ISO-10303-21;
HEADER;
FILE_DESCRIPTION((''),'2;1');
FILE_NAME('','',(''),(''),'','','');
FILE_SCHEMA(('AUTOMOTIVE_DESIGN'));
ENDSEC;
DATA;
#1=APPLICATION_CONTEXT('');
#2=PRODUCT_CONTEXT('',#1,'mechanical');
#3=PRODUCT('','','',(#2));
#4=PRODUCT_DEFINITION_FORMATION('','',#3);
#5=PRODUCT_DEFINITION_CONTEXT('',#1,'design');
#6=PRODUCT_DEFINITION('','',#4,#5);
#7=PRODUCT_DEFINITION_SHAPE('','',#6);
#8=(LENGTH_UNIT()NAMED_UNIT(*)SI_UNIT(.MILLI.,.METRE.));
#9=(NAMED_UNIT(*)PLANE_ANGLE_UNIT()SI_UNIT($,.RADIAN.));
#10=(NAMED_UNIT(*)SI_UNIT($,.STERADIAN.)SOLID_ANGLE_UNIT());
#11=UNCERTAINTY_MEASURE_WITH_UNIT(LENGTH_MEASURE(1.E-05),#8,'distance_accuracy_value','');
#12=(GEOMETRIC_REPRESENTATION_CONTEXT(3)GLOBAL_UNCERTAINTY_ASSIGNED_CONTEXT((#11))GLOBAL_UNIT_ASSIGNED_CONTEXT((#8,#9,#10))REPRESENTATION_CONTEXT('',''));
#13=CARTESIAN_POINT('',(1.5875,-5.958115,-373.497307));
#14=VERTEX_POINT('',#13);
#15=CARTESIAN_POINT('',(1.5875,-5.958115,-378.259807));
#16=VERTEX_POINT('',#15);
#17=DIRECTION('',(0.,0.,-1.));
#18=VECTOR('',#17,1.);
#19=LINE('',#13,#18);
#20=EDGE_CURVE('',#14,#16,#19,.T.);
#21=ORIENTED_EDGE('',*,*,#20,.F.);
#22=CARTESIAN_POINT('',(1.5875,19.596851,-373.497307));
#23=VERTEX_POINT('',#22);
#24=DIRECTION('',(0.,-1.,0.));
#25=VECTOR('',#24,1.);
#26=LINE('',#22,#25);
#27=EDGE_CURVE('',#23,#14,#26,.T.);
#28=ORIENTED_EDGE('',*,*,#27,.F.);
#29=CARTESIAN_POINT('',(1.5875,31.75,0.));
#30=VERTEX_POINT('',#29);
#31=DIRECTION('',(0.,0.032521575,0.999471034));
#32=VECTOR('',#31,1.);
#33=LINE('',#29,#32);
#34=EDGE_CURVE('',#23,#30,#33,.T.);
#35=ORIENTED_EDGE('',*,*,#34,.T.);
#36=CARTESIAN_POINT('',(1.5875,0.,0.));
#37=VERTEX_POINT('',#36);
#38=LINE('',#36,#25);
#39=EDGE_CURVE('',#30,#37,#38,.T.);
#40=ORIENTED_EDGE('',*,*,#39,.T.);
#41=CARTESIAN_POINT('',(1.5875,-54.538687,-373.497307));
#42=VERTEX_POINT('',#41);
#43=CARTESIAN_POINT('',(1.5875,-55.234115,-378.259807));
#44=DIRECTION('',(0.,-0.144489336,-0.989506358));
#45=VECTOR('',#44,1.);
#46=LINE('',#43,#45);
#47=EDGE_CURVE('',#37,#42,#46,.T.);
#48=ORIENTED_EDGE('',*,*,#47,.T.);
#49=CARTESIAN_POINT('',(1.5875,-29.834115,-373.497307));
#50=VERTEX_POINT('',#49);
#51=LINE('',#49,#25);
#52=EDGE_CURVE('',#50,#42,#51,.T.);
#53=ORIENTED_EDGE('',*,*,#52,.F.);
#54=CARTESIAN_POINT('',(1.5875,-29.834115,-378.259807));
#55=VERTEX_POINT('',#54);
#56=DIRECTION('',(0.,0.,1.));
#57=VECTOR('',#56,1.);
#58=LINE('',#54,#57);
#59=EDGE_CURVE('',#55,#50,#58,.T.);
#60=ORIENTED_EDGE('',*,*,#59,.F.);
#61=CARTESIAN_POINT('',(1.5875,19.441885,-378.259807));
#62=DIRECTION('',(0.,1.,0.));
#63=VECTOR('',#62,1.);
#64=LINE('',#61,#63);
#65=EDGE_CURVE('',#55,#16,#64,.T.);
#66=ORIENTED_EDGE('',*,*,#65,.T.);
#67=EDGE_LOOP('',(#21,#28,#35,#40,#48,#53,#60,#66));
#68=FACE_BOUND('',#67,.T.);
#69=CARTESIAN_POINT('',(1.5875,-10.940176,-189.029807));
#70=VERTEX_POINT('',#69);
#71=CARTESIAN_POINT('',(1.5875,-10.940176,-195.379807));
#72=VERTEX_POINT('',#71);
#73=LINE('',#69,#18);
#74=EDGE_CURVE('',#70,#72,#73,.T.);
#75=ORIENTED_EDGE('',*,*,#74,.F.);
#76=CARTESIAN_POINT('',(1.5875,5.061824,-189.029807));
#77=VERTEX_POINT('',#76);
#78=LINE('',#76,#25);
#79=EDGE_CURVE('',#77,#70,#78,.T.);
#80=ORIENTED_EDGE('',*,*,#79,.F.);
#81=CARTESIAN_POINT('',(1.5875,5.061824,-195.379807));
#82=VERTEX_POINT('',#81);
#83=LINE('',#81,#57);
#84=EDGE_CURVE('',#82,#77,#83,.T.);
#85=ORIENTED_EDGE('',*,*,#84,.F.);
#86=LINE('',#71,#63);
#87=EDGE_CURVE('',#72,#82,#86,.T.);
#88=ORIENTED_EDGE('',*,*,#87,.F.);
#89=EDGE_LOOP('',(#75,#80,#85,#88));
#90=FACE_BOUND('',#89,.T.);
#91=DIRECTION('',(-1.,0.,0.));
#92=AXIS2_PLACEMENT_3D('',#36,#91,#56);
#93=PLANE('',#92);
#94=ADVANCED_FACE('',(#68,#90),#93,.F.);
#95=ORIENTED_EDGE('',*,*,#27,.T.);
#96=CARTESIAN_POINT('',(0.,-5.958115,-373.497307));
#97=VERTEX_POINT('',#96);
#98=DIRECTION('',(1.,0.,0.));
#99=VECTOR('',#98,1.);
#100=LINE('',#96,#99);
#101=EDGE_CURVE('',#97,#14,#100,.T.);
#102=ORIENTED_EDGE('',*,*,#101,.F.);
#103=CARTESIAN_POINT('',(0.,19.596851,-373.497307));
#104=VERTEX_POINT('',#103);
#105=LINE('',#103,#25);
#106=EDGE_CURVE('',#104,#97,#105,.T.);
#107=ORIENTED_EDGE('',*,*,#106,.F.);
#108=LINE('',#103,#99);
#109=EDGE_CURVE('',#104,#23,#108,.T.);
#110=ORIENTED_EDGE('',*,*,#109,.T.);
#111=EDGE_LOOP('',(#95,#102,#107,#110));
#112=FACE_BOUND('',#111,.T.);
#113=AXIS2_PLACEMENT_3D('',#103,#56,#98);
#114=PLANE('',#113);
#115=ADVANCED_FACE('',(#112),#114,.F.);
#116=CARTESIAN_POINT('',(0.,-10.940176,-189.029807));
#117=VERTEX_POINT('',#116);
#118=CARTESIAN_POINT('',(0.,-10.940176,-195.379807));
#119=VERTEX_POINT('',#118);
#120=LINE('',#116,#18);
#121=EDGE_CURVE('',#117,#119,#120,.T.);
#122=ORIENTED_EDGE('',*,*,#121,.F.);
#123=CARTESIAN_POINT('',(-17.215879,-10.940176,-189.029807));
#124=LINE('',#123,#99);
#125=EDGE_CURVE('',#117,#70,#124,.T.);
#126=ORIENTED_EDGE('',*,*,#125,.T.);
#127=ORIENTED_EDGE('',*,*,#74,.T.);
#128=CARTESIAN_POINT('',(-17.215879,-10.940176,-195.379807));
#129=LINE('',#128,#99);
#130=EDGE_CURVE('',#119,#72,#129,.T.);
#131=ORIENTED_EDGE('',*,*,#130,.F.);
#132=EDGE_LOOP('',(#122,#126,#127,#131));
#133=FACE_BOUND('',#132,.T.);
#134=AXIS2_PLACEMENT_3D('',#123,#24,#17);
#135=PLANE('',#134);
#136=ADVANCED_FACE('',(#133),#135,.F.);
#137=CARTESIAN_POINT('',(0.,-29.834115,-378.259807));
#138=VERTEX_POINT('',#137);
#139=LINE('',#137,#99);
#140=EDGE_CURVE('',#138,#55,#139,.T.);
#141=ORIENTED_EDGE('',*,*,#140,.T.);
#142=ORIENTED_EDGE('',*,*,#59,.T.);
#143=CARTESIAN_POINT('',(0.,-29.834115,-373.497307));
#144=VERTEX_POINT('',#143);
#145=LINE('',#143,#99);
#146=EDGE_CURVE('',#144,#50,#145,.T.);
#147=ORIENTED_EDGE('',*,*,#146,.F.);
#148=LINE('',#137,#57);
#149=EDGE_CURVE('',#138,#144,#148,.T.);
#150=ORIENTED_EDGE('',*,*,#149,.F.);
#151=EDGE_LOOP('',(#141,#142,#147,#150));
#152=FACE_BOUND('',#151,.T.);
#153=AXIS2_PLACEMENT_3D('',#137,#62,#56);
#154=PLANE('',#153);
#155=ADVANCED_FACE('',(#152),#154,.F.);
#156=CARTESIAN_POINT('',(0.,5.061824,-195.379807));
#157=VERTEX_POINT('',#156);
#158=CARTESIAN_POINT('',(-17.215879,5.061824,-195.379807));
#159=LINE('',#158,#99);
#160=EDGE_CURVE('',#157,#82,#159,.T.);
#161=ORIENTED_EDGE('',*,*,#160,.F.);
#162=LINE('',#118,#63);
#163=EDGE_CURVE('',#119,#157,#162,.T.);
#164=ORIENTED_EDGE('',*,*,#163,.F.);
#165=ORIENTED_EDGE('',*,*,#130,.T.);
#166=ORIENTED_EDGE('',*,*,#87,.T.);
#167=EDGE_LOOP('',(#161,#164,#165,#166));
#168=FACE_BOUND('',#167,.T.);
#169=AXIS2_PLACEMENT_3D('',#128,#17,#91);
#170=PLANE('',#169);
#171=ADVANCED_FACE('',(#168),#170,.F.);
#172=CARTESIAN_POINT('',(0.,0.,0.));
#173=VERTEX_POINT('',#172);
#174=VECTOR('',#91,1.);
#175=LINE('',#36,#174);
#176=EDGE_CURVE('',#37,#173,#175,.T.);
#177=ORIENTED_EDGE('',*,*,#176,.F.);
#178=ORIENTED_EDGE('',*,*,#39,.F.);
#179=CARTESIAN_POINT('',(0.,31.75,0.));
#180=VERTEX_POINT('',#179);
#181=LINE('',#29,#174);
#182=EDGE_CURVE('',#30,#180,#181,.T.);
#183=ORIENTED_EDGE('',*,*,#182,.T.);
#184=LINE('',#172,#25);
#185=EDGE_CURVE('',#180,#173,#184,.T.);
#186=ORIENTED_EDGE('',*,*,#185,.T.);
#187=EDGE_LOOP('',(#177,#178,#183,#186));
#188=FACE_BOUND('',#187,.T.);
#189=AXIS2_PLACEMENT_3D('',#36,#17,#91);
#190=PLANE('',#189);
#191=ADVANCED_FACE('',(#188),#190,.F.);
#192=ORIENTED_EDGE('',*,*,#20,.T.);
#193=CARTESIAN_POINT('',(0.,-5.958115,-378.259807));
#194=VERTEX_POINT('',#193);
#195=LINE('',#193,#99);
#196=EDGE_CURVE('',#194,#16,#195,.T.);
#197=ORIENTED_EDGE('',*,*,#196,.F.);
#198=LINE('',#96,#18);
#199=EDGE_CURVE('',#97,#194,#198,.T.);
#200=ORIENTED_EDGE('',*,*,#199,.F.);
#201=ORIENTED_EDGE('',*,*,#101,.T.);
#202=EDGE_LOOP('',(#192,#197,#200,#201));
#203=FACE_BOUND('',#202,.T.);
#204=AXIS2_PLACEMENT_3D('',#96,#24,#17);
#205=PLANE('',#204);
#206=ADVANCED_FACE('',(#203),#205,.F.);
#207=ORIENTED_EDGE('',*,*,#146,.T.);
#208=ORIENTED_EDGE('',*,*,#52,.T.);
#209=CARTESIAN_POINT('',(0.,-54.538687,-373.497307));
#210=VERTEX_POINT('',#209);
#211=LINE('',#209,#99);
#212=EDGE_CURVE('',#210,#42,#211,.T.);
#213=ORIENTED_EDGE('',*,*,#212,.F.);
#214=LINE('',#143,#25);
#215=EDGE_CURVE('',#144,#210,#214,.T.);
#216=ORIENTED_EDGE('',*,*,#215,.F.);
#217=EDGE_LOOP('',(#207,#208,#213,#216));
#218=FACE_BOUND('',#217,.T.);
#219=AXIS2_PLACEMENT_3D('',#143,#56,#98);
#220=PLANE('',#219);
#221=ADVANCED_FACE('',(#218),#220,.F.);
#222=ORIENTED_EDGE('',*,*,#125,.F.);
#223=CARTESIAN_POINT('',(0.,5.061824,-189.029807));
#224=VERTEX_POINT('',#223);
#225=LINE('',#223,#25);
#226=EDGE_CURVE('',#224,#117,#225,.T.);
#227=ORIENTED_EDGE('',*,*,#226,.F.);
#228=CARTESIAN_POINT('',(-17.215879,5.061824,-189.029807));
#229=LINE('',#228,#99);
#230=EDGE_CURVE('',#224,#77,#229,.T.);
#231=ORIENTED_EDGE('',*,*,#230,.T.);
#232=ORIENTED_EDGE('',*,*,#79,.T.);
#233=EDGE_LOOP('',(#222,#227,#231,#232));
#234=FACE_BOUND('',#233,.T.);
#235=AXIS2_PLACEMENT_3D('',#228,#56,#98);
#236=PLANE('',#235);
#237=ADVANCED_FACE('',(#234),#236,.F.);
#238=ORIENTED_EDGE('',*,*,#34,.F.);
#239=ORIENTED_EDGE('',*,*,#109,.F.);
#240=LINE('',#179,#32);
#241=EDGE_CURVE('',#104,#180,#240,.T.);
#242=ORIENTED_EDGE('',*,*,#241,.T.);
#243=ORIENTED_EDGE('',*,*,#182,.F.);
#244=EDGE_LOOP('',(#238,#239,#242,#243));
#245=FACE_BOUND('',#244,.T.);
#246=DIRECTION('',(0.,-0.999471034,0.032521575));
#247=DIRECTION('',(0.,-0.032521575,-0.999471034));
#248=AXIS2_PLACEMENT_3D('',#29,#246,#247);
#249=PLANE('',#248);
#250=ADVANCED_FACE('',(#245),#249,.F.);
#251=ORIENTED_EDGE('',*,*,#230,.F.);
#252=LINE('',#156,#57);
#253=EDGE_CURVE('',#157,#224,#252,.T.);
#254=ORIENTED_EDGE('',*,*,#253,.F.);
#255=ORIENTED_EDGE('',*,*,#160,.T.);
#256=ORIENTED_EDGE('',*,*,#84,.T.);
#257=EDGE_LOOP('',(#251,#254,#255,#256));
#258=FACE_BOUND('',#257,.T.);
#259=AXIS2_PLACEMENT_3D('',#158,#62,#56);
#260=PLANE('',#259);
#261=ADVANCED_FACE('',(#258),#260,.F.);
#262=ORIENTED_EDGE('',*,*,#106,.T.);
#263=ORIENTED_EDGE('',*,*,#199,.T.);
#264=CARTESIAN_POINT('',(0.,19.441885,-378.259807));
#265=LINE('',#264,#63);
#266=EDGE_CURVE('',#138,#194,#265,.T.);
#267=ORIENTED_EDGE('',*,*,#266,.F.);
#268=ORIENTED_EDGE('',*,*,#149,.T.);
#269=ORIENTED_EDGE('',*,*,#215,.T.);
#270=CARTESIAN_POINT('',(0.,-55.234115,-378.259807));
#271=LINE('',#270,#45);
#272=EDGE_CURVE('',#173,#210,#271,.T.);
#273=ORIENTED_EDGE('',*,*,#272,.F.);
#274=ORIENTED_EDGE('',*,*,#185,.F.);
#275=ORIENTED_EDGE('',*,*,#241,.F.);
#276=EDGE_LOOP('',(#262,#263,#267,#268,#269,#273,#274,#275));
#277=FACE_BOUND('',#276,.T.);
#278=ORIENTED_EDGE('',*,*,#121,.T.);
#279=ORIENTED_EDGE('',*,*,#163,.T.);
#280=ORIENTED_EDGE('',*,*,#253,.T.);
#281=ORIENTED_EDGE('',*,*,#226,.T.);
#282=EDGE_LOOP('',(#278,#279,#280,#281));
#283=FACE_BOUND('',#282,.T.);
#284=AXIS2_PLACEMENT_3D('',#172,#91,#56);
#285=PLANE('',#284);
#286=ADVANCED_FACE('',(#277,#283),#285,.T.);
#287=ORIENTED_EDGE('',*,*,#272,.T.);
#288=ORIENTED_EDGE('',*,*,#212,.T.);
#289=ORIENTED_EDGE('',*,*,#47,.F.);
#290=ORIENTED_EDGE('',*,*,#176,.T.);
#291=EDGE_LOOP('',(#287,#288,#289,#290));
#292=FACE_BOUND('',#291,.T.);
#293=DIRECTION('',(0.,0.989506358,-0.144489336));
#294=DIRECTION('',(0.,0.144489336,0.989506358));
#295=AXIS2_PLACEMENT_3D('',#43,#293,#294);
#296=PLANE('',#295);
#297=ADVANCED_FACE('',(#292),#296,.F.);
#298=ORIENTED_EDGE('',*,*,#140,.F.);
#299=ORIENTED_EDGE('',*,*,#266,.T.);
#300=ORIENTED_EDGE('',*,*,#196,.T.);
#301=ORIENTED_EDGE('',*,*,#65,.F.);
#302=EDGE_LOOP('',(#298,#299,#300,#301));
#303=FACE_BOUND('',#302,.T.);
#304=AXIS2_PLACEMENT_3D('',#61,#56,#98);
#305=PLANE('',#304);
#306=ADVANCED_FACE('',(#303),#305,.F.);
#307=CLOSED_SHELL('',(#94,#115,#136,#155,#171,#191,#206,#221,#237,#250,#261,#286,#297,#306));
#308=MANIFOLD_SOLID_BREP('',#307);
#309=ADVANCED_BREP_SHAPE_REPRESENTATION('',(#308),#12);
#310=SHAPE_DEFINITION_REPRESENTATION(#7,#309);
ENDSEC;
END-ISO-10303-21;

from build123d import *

# Parameters (mm, degrees)
BOSS_EXTRUDE1_DEPTH = 1.5875
CUT_EXTRUDE2_DEPTH  = 383.274521188
SKETCH4_W           = 6.35
SKETCH4_H           = 16.002
CUT_EXTRUDE3_DEPTH  = 1.5875


with BuildPart() as part:
    # Sketch1 → Boss-Extrude1 (new body)
    with BuildSketch(Plane(origin=(0, 0, 0), x_dir=(0, 0, -1), z_dir=(1, 0, 0))):
        Polygon((0, 0), (0, 31.75), (378.259807404, 19.441884667), (378.259807404, -55.234115333), align=None)
    extrude(amount=BOSS_EXTRUDE1_DEPTH)

    # Sketch3 → Cut-Extrude2 (cut, through all)
    with BuildSketch(Plane(origin=(1.5875, 0, 0), x_dir=(0, 0, -1), z_dir=(1, 0, 0))):
        Polygon((378.259807404, -55.234115333), (378.259807404, -29.834115333), (373.497307404, -29.834115333), (373.497307404, -54.538687299), align=None)
        Polygon((378.259807404, 19.441884667), (373.497307404, 19.59685064), (373.497307404, -5.958115333), (378.259807404, -5.958115333), align=None)
    extrude(amount=-CUT_EXTRUDE2_DEPTH, mode=Mode.SUBTRACT)

    # Sketch4 → Cut-Extrude3 (cut)
    with BuildSketch(Plane(origin=(1.5875, 0, 0), x_dir=(0, 0, -1), z_dir=(1, 0, 0))):
        with Locations((192.204807404, -2.939176237)):
            Rectangle(SKETCH4_W, SKETCH4_H)
    extrude(amount=-CUT_EXTRUDE3_DEPTH, mode=Mode.SUBTRACT)


solid = part.part
